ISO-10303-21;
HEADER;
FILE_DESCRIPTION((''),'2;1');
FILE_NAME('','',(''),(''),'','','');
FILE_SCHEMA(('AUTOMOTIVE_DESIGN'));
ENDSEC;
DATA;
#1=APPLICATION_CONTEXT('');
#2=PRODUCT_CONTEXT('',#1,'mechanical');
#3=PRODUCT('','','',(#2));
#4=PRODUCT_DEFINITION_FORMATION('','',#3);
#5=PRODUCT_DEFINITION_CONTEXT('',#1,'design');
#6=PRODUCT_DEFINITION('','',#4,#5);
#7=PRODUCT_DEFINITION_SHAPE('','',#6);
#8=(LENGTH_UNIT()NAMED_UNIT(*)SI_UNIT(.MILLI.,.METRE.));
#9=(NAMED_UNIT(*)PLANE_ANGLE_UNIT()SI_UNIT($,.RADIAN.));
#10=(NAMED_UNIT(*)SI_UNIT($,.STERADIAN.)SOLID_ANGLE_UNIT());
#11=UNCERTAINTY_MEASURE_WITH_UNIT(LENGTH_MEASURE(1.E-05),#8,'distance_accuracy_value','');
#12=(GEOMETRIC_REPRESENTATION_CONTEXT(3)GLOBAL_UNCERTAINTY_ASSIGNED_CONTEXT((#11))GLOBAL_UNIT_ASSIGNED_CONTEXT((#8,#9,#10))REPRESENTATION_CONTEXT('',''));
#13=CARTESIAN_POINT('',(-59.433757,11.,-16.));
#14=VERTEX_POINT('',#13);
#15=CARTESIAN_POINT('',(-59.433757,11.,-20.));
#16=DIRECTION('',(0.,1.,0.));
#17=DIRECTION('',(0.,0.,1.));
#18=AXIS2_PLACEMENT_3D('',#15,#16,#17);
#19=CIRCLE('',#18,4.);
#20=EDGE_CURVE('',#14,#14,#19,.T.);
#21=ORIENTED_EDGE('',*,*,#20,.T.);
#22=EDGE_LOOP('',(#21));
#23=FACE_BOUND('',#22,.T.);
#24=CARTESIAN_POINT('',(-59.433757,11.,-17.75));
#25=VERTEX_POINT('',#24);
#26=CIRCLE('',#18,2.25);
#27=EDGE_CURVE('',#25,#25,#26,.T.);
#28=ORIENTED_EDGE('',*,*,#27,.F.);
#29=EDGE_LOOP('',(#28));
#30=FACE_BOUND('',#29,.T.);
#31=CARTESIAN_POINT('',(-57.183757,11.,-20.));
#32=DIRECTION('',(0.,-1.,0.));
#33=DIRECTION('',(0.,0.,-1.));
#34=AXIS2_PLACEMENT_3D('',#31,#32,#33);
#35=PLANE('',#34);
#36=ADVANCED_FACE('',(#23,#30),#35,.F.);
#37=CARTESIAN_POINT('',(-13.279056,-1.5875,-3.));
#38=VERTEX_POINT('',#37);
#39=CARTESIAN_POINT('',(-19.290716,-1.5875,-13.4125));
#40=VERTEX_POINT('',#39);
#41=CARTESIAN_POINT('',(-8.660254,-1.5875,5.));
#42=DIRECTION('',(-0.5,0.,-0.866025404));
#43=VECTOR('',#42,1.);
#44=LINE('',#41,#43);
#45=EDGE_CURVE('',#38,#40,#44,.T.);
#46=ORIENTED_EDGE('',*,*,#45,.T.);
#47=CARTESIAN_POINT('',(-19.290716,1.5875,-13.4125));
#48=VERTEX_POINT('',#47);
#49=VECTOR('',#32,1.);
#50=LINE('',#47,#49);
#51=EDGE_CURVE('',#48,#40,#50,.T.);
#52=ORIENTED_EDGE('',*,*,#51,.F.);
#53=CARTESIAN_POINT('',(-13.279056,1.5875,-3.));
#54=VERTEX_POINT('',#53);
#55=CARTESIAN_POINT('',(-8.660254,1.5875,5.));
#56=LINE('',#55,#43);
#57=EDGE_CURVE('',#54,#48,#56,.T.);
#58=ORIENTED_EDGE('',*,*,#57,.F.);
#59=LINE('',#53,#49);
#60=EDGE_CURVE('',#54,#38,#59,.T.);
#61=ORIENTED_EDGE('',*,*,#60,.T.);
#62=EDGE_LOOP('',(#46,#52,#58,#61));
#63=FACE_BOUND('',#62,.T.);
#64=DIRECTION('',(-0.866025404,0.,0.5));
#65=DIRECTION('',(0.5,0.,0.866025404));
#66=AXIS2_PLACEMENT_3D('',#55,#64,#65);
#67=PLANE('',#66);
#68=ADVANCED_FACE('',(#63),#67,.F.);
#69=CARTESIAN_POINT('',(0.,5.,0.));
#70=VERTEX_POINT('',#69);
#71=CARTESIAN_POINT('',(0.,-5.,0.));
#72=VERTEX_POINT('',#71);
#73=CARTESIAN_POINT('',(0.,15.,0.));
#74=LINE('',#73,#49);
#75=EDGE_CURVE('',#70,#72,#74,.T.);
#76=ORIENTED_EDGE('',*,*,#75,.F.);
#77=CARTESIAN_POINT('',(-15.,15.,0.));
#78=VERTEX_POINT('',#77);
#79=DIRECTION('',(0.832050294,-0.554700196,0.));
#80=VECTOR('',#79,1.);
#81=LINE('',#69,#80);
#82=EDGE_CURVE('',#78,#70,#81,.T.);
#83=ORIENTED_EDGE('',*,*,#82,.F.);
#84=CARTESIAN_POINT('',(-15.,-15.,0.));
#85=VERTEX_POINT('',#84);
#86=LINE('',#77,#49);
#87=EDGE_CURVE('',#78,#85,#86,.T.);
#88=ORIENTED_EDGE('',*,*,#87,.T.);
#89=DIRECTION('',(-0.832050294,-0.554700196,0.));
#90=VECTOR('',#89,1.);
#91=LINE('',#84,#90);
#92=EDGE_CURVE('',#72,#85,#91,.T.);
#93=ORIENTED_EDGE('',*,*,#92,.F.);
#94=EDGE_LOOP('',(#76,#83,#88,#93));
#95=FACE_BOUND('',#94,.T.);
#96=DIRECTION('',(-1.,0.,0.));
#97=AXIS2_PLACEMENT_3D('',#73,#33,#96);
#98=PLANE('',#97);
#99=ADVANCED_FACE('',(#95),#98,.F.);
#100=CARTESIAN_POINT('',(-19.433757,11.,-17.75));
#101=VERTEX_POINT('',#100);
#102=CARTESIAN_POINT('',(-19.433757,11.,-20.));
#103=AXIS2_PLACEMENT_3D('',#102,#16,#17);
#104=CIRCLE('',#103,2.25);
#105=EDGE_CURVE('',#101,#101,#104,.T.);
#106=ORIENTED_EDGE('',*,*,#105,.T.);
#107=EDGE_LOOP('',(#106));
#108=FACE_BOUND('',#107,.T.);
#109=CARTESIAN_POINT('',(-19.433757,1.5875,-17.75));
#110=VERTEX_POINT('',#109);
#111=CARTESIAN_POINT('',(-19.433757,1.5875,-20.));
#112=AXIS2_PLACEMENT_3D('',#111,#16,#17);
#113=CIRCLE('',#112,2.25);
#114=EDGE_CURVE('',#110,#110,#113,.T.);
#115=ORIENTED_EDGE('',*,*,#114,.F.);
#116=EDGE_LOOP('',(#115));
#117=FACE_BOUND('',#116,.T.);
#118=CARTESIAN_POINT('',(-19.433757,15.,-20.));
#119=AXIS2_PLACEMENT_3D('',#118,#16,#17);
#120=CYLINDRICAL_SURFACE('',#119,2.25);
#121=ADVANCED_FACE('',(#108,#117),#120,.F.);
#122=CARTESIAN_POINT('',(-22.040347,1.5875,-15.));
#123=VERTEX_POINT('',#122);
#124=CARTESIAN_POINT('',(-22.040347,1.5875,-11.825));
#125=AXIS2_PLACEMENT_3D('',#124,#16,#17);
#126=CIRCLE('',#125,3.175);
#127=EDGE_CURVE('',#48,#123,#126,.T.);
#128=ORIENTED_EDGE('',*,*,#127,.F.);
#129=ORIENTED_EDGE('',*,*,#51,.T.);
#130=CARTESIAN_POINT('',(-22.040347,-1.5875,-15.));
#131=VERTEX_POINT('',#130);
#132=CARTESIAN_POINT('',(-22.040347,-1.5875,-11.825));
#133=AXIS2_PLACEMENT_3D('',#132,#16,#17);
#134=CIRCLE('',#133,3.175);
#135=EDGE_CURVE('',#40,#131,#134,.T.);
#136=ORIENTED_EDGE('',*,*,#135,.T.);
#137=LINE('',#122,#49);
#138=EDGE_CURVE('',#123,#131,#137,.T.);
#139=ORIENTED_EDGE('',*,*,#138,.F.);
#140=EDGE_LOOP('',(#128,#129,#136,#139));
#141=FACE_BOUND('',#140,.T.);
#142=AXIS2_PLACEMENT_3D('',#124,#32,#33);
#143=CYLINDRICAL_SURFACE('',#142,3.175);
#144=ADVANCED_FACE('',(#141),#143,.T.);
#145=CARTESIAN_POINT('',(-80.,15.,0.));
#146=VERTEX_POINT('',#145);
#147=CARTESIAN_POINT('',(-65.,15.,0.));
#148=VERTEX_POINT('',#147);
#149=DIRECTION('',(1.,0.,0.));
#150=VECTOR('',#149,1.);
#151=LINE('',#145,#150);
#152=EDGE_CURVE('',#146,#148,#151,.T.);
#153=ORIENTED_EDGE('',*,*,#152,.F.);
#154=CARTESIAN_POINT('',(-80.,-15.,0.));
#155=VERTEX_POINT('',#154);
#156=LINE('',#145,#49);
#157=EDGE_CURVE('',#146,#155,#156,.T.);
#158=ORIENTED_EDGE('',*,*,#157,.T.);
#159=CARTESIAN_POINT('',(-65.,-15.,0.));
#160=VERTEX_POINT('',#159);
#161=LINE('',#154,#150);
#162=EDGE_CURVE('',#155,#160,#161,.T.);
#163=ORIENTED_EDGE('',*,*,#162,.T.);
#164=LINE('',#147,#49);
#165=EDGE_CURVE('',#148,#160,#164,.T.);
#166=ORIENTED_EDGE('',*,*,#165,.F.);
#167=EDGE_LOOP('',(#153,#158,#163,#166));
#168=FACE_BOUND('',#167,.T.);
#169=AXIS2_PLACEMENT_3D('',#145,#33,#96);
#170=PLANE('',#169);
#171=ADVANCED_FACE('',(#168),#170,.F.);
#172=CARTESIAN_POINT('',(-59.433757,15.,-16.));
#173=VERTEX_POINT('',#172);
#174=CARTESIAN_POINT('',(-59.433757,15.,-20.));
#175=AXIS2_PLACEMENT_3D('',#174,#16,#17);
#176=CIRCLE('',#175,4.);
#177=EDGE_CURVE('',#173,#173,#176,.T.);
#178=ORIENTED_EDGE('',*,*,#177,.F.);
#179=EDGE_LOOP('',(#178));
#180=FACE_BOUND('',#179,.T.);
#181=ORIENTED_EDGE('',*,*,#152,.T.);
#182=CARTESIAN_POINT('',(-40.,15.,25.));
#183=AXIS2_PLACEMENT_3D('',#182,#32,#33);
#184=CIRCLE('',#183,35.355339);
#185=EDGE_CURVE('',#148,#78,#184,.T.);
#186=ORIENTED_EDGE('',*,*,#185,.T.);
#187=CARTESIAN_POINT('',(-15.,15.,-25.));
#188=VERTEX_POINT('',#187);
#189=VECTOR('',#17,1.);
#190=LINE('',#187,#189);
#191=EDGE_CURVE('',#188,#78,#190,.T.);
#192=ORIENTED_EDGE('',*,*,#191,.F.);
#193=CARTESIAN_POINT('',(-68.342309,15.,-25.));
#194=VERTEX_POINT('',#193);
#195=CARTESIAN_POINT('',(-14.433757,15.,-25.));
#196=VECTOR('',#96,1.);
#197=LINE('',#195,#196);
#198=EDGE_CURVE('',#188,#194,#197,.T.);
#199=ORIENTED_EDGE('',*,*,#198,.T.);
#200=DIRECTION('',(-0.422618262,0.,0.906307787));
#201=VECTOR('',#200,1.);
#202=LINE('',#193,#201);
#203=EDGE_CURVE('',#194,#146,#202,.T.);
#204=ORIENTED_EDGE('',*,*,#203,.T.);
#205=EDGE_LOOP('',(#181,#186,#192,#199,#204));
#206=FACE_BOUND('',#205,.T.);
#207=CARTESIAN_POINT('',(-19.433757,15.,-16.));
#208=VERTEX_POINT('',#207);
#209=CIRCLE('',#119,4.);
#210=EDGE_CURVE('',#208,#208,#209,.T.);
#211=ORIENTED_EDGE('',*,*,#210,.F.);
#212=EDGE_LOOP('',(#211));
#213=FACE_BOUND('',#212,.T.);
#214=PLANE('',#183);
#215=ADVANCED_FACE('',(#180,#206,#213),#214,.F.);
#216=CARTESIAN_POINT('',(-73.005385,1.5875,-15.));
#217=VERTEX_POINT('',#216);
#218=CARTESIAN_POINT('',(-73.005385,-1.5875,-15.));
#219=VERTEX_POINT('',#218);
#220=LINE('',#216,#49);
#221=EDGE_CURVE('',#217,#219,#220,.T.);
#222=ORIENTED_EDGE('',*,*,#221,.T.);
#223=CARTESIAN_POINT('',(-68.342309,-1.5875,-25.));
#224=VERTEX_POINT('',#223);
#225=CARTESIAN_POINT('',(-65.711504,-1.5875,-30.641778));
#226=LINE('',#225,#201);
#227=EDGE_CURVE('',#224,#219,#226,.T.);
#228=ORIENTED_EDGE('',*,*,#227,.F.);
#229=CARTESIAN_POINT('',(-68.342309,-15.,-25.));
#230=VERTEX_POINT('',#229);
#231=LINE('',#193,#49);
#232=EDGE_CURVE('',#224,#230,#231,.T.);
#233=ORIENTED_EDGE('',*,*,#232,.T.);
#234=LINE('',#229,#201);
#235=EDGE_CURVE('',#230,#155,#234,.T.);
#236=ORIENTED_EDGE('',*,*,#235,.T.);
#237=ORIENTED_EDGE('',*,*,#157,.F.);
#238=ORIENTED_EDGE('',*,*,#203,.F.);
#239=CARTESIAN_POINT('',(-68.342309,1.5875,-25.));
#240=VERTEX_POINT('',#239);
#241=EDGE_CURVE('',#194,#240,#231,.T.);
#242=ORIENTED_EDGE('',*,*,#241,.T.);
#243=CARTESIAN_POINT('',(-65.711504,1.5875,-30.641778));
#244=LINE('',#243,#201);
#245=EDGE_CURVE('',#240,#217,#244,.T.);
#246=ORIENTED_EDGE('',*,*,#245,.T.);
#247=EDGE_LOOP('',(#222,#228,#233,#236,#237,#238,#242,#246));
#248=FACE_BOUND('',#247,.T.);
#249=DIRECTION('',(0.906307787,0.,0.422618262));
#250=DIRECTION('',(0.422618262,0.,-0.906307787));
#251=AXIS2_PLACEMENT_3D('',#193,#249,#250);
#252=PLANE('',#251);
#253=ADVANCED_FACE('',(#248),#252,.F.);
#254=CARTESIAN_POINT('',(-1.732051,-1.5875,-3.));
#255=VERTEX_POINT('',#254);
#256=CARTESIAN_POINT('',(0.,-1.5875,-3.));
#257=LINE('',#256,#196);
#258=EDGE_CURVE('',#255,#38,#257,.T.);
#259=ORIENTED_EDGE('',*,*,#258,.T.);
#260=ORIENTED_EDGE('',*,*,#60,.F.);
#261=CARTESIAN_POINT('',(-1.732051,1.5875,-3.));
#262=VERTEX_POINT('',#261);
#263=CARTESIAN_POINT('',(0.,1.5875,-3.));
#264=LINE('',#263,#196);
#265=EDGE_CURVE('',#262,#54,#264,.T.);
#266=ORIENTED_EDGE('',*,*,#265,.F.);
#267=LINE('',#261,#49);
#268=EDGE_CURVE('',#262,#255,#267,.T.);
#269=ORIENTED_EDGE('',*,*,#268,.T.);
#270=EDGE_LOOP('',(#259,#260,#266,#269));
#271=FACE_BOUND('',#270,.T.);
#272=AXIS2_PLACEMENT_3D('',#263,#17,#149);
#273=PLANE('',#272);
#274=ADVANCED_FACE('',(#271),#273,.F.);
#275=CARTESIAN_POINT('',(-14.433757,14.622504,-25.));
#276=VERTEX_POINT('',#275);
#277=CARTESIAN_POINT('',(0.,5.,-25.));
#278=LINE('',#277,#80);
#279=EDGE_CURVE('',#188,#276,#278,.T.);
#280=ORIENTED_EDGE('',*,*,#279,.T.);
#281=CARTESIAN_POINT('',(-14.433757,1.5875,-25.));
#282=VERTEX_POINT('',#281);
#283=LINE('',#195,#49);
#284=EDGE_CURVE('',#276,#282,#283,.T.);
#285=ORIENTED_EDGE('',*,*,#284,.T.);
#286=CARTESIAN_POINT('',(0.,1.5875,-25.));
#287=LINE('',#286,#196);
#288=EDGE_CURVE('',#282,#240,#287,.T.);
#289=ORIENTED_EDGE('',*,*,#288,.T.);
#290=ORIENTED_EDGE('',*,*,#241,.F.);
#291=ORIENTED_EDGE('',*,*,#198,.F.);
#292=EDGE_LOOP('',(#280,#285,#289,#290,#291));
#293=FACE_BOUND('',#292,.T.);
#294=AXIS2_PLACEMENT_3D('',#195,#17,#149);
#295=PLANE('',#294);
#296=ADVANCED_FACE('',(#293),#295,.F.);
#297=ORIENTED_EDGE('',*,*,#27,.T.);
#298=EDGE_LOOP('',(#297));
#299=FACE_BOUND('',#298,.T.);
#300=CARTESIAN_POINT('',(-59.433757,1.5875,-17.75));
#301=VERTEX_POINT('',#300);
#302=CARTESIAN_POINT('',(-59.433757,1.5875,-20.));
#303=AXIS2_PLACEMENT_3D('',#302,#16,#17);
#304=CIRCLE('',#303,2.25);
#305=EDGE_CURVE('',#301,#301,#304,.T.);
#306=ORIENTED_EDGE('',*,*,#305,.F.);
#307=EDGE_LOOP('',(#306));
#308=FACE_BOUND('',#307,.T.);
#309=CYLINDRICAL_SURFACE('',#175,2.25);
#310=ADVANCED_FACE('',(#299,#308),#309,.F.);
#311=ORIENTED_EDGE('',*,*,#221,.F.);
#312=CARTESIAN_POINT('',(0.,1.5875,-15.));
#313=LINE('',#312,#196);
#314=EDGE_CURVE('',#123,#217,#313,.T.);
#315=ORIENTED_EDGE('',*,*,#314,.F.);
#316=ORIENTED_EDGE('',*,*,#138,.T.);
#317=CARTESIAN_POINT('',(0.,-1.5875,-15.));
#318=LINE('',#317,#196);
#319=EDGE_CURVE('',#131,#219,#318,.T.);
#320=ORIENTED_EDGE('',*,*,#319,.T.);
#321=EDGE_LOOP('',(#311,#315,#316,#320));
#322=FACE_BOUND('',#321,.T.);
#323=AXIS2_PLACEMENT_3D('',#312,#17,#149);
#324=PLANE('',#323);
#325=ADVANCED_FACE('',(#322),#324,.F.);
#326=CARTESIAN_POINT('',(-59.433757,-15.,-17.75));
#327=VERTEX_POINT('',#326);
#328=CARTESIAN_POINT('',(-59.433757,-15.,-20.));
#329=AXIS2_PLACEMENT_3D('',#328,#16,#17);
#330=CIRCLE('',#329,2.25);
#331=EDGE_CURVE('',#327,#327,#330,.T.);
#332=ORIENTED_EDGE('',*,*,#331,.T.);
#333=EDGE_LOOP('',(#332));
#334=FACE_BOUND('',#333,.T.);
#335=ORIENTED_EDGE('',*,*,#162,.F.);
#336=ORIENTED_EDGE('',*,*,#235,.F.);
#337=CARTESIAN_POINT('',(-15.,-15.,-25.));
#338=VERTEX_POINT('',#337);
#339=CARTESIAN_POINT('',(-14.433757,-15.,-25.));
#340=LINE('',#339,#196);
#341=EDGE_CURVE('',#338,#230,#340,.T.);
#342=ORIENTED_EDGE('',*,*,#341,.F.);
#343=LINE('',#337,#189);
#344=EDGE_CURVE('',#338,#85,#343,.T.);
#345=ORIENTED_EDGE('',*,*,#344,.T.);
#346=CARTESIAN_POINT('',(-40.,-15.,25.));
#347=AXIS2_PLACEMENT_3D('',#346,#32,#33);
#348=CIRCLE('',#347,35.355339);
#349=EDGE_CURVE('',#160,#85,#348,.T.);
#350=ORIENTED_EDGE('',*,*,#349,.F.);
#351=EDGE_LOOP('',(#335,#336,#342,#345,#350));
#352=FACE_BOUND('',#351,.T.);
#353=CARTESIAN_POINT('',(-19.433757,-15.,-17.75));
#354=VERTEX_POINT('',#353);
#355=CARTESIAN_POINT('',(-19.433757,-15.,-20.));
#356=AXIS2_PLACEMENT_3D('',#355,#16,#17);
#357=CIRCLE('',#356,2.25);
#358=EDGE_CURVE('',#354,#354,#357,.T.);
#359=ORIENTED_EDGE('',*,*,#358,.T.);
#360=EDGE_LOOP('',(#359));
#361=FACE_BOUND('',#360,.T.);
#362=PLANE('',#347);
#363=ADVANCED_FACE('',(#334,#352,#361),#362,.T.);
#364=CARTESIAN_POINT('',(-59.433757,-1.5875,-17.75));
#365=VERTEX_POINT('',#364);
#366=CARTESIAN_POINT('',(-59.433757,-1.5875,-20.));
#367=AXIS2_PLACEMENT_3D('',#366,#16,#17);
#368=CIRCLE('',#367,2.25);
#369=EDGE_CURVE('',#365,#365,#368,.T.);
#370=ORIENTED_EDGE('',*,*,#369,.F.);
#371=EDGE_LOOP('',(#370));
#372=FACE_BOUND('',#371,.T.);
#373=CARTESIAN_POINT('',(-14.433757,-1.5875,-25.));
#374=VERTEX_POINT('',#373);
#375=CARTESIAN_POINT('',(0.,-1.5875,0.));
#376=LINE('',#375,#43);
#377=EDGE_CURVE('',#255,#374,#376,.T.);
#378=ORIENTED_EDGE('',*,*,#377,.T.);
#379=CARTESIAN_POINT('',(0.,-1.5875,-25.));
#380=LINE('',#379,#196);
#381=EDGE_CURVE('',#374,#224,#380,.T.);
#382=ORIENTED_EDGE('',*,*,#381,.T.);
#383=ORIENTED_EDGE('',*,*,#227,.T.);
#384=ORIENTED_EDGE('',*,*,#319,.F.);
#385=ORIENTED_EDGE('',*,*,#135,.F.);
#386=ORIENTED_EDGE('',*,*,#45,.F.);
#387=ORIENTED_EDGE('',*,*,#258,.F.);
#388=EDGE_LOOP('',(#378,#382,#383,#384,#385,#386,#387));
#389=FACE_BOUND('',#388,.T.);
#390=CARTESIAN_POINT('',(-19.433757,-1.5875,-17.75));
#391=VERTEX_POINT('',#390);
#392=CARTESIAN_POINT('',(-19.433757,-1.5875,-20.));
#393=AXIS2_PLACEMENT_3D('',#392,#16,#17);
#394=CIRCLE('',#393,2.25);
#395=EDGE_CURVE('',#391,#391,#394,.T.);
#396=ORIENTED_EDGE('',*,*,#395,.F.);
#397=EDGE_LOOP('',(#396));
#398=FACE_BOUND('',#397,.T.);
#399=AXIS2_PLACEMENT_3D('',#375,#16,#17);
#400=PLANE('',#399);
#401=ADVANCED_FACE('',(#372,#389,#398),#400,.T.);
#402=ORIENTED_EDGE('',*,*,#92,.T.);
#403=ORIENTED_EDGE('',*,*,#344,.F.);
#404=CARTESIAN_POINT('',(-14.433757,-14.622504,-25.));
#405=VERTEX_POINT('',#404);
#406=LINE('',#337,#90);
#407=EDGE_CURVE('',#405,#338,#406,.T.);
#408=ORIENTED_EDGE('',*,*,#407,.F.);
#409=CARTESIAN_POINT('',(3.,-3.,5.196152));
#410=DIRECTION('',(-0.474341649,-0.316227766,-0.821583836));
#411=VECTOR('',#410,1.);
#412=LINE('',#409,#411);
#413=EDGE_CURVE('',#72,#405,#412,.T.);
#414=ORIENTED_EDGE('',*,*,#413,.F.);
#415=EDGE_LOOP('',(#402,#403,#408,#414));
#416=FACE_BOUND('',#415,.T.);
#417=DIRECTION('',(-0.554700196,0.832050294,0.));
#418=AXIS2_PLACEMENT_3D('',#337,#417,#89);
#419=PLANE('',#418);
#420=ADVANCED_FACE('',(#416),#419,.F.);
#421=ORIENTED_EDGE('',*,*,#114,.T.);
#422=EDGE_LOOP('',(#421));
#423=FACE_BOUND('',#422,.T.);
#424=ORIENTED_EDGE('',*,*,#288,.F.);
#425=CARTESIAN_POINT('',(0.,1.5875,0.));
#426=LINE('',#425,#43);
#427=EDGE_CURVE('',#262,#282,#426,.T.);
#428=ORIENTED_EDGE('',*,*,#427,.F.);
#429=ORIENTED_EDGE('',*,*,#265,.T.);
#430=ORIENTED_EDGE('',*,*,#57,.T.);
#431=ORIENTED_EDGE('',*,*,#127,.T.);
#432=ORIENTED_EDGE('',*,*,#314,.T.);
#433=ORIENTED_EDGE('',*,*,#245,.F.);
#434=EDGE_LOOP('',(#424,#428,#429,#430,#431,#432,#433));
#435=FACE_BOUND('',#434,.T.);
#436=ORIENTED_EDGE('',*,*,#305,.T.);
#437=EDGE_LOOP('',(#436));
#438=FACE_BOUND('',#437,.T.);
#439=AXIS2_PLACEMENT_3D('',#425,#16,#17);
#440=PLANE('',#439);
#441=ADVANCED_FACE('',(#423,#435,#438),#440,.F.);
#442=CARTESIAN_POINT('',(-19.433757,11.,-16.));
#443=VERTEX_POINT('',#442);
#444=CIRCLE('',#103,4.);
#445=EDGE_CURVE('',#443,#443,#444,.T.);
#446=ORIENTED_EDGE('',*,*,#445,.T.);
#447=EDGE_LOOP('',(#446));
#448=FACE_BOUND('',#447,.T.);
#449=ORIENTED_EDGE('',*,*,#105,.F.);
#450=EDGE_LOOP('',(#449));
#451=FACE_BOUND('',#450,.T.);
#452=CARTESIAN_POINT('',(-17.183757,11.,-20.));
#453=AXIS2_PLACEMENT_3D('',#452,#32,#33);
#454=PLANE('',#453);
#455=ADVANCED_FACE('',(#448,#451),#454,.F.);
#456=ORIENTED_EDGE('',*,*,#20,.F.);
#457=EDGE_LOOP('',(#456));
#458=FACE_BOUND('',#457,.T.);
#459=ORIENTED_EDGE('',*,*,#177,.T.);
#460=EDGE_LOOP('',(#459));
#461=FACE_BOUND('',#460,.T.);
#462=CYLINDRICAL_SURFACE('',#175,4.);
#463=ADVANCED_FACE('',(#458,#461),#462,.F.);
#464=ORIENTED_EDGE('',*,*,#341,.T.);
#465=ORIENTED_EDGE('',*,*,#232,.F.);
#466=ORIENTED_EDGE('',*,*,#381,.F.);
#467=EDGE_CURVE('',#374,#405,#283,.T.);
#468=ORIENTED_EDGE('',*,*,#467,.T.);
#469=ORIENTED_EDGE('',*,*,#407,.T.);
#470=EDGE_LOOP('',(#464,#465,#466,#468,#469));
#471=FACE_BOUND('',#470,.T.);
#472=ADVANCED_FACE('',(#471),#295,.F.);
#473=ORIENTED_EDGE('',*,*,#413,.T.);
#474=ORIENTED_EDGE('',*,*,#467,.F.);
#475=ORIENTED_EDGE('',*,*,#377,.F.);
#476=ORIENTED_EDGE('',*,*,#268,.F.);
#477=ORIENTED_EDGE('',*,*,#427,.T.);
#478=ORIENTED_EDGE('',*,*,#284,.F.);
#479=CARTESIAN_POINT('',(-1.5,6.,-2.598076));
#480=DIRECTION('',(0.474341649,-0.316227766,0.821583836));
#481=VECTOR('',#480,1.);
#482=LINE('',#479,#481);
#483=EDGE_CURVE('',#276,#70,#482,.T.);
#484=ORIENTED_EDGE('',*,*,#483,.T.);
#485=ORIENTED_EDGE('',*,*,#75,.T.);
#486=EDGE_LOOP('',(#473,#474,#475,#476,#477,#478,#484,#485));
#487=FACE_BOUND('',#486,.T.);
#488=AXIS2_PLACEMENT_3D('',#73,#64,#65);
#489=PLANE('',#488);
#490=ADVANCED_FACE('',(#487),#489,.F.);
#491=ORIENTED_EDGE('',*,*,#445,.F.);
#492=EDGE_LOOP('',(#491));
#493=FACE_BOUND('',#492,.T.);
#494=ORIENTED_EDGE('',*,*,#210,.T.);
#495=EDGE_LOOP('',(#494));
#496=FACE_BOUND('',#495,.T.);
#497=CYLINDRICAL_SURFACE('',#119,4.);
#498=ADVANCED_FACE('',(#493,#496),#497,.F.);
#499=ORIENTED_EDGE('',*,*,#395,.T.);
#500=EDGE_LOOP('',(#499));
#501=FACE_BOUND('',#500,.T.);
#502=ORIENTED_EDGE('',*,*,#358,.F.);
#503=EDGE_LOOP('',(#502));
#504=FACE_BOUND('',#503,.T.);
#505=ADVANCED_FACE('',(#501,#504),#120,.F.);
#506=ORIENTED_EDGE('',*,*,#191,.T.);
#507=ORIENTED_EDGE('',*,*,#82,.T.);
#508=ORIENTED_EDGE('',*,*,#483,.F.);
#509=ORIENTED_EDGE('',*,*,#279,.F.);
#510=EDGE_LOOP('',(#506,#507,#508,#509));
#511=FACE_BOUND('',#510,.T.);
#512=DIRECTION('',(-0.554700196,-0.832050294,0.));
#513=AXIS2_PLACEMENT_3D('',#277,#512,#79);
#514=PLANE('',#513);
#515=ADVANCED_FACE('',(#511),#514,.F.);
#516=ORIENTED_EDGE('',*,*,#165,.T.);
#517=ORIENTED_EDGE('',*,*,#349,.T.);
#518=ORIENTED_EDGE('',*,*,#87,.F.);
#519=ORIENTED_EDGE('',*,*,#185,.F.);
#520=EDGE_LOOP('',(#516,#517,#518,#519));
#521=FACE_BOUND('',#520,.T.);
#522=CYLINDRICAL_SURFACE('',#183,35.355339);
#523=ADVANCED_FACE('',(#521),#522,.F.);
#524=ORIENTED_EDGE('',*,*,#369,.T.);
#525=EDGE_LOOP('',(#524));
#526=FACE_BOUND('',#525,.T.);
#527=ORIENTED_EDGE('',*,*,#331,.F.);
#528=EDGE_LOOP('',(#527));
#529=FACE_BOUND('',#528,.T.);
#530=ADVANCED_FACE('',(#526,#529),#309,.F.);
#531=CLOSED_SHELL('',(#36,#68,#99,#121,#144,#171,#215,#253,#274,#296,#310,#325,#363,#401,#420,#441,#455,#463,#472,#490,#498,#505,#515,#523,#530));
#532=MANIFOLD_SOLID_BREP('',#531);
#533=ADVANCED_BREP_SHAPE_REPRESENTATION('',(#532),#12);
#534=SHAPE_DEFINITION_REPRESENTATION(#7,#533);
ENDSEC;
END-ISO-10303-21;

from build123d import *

# Parameters (mm, degrees)
BOSS_EXTRUDE1_DEPTH            = 15
CUT_EXTRUDE1_DEPTH             = 1.5875
CUT_EXTRUDE1_DEPTH_BACK        = 1.5875
CBORE_FOR_M4_SHCS1_D           = 4.5
CBORE_FOR_M4_SHCS1_CBORE_D     = 8
CBORE_FOR_M4_SHCS1_CBORE_DEPTH = 4
CUT_EXTRUDE2_DEPTH             = 26


with BuildPart() as part:
    # Sketch1 → Boss-Extrude1 (new body, symmetric)
    with BuildSketch(Plane(origin=(0, 0, 0), x_dir=(1, 0, 0), z_dir=(0, 1, 0))):
        with BuildLine():
            Line((0, 0), (-15, 0))
            ThreePointArc((-15, 0), (-40, 10.355339059), (-65, 0))
            Line((-65, 0), (-80, 0))
            Line((-80, 0), (-68.342308546, 25))
            Line((-68.342308546, 25), (-14.43375673, 25))
            Line((-14.43375673, 25), (0, 0))
        make_face()
    extrude(amount=BOSS_EXTRUDE1_DEPTH, both=True)

    # Sketch2 → Cut-Extrude1 (cut, two sides)
    with BuildSketch(Plane(origin=(0, 0, 0), x_dir=(1, 0, 0), z_dir=(0, 1, 0))) as cut_extrude1_sk:
        with BuildLine():
            Line((-13.279056191, 3), (-1.732050808, 3))
            Line((-1.732050808, 3), (-14.43375673, 25))
            Line((-14.43375673, 25), (-68.342308546, 25))
            Line((-68.342308546, 25), (-73.005385128, 15))
            Line((-73.005385128, 15), (-22.040346526, 15))
            ThreePointArc((-22.040346526, 15), (-20.452846526, 14.574630657), (-19.290715869, 13.4125))
            Line((-19.290715869, 13.4125), (-13.279056191, 3))
        make_face()
    extrude(amount=CUT_EXTRUDE1_DEPTH, mode=Mode.SUBTRACT)
    extrude(cut_extrude1_sk.sketch, amount=-CUT_EXTRUDE1_DEPTH_BACK, mode=Mode.SUBTRACT)

    # CBORE for M4 SHCS1 (through all)
    with Locations(Plane(origin=(0, 15, 0), x_dir=(1, 0, 0), z_dir=(0, 1, 0))):
        with Locations((-59.43375673, 20), (-19.43375673, 20)):
            CounterBoreHole(CBORE_FOR_M4_SHCS1_D / 2, CBORE_FOR_M4_SHCS1_CBORE_D / 2, CBORE_FOR_M4_SHCS1_CBORE_DEPTH)

    # Sketch7 → Cut-Extrude2 (cut, through all)
    with BuildSketch(Plane.XY):
        Polygon((0, 5), (-15, 15), (0, 15), align=None)
        Polygon((0, -15), (-15, -15), (0, -5), align=None)
    extrude(amount=-CUT_EXTRUDE2_DEPTH, mode=Mode.SUBTRACT)


solid = part.part
